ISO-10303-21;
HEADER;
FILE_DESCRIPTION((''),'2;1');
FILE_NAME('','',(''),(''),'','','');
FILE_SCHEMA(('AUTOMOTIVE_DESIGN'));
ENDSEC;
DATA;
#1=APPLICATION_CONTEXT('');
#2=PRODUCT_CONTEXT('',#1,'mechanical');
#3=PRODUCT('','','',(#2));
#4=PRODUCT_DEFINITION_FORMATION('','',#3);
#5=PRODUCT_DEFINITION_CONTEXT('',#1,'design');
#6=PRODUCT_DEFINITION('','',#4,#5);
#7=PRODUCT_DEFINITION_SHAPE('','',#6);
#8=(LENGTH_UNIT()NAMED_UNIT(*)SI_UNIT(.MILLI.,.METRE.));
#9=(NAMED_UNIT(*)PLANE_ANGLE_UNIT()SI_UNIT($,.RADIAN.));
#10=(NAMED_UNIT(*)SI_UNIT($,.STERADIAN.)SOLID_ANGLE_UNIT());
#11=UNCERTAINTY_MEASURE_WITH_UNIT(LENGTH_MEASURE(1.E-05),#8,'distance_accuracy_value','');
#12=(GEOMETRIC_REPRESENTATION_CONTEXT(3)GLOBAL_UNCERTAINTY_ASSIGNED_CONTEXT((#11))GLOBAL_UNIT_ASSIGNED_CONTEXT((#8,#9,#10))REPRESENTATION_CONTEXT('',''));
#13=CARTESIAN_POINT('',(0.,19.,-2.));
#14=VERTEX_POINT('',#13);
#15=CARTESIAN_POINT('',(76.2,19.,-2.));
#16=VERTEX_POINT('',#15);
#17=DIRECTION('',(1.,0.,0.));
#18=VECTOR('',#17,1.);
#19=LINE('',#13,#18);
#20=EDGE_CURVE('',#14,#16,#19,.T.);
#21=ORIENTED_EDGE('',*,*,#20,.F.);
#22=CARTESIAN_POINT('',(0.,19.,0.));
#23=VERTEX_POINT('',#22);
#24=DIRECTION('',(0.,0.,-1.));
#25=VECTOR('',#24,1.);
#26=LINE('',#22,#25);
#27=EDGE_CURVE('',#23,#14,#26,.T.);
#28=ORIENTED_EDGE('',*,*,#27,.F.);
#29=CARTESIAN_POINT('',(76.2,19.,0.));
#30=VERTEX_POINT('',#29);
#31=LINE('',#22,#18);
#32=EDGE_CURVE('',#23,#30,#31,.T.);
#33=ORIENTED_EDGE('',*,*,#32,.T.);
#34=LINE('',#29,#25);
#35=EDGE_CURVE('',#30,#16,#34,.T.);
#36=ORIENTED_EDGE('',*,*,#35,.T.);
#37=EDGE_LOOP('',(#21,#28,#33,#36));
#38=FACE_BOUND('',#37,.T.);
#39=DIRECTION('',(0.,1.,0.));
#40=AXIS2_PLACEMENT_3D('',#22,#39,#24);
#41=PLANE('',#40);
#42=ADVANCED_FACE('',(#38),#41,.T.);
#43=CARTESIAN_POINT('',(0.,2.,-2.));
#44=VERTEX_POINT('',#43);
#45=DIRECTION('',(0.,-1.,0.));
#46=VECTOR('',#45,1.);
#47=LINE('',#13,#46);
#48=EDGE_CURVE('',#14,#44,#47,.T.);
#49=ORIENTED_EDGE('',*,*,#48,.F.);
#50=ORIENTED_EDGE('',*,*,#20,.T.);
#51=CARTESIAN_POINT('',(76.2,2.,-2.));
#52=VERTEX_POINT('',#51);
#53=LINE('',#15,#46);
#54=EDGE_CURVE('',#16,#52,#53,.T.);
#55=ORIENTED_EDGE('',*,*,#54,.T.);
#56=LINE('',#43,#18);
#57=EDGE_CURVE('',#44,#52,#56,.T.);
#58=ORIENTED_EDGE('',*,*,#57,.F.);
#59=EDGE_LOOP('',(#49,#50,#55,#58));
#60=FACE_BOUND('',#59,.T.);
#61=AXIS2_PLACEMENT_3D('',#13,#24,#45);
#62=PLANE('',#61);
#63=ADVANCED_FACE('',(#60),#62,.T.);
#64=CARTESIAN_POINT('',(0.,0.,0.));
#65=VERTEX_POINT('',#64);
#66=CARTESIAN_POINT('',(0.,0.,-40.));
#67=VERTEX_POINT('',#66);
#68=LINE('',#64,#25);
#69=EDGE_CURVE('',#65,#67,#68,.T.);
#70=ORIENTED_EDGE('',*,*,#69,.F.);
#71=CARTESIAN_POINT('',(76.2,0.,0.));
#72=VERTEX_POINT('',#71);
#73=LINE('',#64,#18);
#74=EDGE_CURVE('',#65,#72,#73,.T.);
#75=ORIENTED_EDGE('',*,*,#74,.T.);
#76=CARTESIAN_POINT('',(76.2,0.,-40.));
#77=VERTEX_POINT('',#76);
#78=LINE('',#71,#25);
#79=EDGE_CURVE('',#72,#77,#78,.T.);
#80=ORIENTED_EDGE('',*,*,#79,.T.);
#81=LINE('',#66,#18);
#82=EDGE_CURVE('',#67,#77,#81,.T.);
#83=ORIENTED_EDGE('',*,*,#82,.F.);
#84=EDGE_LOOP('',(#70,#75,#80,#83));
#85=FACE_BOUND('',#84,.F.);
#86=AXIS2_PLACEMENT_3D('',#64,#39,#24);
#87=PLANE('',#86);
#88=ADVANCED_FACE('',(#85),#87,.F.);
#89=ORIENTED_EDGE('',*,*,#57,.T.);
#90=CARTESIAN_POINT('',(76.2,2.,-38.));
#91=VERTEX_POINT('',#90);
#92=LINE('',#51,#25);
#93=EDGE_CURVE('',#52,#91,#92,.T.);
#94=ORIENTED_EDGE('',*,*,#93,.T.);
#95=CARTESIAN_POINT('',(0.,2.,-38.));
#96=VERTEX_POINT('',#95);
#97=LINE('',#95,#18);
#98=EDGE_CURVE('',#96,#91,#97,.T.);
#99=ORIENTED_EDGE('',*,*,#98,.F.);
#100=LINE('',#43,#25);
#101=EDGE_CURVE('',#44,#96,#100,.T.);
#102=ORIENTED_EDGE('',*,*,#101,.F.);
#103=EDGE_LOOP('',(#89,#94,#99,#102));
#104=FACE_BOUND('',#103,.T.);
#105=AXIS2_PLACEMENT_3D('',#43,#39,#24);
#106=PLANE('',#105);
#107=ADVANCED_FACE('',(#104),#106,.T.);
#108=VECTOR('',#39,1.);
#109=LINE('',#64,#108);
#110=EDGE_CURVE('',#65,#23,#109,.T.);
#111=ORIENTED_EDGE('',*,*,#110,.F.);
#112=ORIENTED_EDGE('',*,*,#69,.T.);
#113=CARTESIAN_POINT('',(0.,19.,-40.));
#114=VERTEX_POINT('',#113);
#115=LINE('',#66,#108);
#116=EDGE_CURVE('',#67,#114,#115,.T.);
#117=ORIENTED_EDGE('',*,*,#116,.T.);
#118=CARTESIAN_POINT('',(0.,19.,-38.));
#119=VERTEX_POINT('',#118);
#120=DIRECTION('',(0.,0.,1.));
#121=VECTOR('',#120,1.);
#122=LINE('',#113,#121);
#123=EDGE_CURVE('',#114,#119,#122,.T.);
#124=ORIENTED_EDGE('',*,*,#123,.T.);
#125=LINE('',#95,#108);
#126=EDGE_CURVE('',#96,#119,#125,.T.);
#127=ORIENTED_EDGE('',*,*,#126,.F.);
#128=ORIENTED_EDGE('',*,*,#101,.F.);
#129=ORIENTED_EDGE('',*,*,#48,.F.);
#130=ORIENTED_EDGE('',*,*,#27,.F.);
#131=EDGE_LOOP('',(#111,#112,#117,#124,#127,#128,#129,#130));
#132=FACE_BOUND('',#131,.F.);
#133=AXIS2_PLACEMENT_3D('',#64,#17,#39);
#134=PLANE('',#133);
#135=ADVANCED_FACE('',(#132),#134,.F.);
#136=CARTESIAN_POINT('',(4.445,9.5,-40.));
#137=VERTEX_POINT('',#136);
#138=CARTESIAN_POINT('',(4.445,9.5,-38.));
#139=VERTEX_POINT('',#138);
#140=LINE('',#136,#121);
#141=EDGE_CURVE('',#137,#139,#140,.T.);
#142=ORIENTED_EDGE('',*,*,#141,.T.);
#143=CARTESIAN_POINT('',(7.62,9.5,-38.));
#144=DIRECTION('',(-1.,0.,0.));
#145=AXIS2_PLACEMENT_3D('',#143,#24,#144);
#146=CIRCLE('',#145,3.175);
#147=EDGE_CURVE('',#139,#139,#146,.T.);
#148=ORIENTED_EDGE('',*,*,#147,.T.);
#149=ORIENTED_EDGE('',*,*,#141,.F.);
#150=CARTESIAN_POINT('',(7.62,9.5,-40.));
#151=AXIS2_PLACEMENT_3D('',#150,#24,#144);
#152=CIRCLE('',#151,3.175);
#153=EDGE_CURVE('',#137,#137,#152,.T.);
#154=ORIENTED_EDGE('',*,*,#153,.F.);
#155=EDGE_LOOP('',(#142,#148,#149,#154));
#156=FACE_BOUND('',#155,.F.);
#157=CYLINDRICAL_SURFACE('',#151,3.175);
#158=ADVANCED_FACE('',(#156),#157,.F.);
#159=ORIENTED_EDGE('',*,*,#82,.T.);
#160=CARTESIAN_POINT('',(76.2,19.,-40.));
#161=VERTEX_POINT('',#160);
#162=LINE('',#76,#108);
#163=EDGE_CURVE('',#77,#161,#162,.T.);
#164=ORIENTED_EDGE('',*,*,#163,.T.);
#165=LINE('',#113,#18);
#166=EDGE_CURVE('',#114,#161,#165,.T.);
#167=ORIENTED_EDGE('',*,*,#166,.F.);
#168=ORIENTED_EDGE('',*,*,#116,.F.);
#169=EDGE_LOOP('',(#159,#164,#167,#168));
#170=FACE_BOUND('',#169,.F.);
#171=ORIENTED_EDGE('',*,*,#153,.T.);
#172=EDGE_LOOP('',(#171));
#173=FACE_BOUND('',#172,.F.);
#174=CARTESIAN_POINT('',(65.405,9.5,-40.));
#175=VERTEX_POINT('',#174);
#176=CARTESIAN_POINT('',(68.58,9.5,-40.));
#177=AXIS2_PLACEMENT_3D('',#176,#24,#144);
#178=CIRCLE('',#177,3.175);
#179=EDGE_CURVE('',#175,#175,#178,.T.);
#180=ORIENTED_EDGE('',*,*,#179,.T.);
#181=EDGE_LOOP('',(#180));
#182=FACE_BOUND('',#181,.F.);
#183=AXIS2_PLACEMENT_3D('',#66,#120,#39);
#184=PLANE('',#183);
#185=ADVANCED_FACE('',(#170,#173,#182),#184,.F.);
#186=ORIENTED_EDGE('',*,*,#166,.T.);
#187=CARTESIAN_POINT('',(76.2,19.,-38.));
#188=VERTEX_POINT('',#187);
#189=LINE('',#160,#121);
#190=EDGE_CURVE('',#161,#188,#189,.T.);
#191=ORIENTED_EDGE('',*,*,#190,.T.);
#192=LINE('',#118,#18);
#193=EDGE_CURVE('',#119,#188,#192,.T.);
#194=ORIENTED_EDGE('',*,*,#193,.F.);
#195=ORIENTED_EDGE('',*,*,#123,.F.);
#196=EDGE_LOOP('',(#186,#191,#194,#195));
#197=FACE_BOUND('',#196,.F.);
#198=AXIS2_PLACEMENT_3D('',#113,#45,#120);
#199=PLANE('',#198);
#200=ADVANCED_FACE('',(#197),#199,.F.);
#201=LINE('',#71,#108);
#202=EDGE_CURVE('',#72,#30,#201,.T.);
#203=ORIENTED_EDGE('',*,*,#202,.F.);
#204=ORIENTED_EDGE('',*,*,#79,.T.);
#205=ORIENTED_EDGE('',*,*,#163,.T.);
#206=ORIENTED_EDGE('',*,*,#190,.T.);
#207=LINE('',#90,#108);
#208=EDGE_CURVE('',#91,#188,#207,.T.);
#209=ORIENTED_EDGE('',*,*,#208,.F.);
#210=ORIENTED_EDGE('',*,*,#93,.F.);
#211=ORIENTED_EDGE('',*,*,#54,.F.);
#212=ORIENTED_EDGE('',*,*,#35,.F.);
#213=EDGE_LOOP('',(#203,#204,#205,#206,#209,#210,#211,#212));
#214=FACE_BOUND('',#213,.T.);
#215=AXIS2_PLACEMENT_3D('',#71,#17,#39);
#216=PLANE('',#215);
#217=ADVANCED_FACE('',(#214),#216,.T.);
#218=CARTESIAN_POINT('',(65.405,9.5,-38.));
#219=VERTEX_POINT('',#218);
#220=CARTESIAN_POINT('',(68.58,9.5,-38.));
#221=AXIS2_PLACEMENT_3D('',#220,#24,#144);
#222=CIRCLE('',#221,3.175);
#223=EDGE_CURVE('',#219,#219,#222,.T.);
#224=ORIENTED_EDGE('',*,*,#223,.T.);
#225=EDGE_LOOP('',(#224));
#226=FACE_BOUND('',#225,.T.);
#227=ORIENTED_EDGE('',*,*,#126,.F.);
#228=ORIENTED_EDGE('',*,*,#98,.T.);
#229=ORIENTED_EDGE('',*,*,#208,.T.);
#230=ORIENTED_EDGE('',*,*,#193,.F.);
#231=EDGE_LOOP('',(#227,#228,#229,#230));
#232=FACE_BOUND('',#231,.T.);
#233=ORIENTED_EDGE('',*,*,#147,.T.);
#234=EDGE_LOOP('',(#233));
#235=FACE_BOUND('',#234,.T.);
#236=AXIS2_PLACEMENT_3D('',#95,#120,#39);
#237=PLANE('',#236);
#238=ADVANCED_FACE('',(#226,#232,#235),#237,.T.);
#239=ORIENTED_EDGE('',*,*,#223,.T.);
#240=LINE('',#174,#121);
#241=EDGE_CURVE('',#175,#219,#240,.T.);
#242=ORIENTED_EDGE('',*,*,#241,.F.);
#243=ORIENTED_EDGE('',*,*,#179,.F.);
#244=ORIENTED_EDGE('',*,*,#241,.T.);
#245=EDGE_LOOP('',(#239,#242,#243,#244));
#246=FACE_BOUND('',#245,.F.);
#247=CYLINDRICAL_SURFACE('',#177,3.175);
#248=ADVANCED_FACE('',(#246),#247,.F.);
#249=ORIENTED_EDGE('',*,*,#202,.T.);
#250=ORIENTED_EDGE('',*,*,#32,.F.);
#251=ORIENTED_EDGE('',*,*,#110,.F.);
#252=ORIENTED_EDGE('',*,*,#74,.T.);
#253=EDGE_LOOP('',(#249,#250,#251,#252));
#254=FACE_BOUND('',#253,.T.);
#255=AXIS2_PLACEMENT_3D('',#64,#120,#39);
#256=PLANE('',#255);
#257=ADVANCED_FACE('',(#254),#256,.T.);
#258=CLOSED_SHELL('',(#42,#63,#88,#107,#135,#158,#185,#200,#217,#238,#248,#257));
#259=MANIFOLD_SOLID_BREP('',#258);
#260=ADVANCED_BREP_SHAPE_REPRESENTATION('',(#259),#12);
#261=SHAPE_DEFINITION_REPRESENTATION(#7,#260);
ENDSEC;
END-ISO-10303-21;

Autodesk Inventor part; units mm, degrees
ref_plane "YZ Plane" through (0, 0, 0) normal (1, 0, 0) x (0, 1, 0)
ref_plane "XZ Plane" through (0, 0, 0) normal (0, 1, 0) x (-1, 0, 0)
ref_plane "XY Plane" through (0, 0, 0) normal (0, 0, 1) x (1, 0, 0)
sketch "Sketch1" plane through (0, 0, 0) normal (1, 0, 0) x (0, 1, 0)
  line L0 (0, 0) -> (0, -40)
  line L1 (0, -40) -> (19, -40)
  line L2 (19, -40) -> (19, -38)
  line L3 (0, 0) -> (19, 0)
  line L4 (19, 0) -> (19, -2)
  line L5 (0, -20) -> (2, -20) construction
  line L6 (19, -2) -> (2, -2)
  line L7 (2, -2) -> (2, -38)
  line L8 (2, -38) -> (19, -38)
  dimension "d0" = 40
  dimension "d1" = 19
  dimension "d2" = 2
  dimension "d3" = 2
  dimension "d4" = 2
extrude "Extrusion1" add sketch "Sketch1" along normal blind 76.2
sketch "Sketch4" plane through (0, 0, -40) normal (0, 0, -1) x (-1, 0, 0)
  line L0 (-76.2, 9.5) -> (-68.58, 9.5) construction
  line L1 (-76.2, 9.5) -> (-68.58, 9.5) construction
  circle A0 centre (-68.58, 9.5) radius 3.175
  line L2 (0, 0) -> (0, 19) projected
  line L3 (0, 0) -> (-76.2, 0) projected
  line L4 (0, 9.5) -> (-7.62, 9.5) construction
  circle A1 centre (-7.62, 9.5) radius 3.175
  dimension "d11" = 7.62
  dimension "d12" = 6.35
  dimension "d16" = 7.62
  dimension "d17" = 6.35
extrude "Extrusion4" cut sketch "Sketch4" against normal blind 25.4
properties part number "3in C-Channel (TopPlate Supports Rear)" material "Aluminum 6061"
